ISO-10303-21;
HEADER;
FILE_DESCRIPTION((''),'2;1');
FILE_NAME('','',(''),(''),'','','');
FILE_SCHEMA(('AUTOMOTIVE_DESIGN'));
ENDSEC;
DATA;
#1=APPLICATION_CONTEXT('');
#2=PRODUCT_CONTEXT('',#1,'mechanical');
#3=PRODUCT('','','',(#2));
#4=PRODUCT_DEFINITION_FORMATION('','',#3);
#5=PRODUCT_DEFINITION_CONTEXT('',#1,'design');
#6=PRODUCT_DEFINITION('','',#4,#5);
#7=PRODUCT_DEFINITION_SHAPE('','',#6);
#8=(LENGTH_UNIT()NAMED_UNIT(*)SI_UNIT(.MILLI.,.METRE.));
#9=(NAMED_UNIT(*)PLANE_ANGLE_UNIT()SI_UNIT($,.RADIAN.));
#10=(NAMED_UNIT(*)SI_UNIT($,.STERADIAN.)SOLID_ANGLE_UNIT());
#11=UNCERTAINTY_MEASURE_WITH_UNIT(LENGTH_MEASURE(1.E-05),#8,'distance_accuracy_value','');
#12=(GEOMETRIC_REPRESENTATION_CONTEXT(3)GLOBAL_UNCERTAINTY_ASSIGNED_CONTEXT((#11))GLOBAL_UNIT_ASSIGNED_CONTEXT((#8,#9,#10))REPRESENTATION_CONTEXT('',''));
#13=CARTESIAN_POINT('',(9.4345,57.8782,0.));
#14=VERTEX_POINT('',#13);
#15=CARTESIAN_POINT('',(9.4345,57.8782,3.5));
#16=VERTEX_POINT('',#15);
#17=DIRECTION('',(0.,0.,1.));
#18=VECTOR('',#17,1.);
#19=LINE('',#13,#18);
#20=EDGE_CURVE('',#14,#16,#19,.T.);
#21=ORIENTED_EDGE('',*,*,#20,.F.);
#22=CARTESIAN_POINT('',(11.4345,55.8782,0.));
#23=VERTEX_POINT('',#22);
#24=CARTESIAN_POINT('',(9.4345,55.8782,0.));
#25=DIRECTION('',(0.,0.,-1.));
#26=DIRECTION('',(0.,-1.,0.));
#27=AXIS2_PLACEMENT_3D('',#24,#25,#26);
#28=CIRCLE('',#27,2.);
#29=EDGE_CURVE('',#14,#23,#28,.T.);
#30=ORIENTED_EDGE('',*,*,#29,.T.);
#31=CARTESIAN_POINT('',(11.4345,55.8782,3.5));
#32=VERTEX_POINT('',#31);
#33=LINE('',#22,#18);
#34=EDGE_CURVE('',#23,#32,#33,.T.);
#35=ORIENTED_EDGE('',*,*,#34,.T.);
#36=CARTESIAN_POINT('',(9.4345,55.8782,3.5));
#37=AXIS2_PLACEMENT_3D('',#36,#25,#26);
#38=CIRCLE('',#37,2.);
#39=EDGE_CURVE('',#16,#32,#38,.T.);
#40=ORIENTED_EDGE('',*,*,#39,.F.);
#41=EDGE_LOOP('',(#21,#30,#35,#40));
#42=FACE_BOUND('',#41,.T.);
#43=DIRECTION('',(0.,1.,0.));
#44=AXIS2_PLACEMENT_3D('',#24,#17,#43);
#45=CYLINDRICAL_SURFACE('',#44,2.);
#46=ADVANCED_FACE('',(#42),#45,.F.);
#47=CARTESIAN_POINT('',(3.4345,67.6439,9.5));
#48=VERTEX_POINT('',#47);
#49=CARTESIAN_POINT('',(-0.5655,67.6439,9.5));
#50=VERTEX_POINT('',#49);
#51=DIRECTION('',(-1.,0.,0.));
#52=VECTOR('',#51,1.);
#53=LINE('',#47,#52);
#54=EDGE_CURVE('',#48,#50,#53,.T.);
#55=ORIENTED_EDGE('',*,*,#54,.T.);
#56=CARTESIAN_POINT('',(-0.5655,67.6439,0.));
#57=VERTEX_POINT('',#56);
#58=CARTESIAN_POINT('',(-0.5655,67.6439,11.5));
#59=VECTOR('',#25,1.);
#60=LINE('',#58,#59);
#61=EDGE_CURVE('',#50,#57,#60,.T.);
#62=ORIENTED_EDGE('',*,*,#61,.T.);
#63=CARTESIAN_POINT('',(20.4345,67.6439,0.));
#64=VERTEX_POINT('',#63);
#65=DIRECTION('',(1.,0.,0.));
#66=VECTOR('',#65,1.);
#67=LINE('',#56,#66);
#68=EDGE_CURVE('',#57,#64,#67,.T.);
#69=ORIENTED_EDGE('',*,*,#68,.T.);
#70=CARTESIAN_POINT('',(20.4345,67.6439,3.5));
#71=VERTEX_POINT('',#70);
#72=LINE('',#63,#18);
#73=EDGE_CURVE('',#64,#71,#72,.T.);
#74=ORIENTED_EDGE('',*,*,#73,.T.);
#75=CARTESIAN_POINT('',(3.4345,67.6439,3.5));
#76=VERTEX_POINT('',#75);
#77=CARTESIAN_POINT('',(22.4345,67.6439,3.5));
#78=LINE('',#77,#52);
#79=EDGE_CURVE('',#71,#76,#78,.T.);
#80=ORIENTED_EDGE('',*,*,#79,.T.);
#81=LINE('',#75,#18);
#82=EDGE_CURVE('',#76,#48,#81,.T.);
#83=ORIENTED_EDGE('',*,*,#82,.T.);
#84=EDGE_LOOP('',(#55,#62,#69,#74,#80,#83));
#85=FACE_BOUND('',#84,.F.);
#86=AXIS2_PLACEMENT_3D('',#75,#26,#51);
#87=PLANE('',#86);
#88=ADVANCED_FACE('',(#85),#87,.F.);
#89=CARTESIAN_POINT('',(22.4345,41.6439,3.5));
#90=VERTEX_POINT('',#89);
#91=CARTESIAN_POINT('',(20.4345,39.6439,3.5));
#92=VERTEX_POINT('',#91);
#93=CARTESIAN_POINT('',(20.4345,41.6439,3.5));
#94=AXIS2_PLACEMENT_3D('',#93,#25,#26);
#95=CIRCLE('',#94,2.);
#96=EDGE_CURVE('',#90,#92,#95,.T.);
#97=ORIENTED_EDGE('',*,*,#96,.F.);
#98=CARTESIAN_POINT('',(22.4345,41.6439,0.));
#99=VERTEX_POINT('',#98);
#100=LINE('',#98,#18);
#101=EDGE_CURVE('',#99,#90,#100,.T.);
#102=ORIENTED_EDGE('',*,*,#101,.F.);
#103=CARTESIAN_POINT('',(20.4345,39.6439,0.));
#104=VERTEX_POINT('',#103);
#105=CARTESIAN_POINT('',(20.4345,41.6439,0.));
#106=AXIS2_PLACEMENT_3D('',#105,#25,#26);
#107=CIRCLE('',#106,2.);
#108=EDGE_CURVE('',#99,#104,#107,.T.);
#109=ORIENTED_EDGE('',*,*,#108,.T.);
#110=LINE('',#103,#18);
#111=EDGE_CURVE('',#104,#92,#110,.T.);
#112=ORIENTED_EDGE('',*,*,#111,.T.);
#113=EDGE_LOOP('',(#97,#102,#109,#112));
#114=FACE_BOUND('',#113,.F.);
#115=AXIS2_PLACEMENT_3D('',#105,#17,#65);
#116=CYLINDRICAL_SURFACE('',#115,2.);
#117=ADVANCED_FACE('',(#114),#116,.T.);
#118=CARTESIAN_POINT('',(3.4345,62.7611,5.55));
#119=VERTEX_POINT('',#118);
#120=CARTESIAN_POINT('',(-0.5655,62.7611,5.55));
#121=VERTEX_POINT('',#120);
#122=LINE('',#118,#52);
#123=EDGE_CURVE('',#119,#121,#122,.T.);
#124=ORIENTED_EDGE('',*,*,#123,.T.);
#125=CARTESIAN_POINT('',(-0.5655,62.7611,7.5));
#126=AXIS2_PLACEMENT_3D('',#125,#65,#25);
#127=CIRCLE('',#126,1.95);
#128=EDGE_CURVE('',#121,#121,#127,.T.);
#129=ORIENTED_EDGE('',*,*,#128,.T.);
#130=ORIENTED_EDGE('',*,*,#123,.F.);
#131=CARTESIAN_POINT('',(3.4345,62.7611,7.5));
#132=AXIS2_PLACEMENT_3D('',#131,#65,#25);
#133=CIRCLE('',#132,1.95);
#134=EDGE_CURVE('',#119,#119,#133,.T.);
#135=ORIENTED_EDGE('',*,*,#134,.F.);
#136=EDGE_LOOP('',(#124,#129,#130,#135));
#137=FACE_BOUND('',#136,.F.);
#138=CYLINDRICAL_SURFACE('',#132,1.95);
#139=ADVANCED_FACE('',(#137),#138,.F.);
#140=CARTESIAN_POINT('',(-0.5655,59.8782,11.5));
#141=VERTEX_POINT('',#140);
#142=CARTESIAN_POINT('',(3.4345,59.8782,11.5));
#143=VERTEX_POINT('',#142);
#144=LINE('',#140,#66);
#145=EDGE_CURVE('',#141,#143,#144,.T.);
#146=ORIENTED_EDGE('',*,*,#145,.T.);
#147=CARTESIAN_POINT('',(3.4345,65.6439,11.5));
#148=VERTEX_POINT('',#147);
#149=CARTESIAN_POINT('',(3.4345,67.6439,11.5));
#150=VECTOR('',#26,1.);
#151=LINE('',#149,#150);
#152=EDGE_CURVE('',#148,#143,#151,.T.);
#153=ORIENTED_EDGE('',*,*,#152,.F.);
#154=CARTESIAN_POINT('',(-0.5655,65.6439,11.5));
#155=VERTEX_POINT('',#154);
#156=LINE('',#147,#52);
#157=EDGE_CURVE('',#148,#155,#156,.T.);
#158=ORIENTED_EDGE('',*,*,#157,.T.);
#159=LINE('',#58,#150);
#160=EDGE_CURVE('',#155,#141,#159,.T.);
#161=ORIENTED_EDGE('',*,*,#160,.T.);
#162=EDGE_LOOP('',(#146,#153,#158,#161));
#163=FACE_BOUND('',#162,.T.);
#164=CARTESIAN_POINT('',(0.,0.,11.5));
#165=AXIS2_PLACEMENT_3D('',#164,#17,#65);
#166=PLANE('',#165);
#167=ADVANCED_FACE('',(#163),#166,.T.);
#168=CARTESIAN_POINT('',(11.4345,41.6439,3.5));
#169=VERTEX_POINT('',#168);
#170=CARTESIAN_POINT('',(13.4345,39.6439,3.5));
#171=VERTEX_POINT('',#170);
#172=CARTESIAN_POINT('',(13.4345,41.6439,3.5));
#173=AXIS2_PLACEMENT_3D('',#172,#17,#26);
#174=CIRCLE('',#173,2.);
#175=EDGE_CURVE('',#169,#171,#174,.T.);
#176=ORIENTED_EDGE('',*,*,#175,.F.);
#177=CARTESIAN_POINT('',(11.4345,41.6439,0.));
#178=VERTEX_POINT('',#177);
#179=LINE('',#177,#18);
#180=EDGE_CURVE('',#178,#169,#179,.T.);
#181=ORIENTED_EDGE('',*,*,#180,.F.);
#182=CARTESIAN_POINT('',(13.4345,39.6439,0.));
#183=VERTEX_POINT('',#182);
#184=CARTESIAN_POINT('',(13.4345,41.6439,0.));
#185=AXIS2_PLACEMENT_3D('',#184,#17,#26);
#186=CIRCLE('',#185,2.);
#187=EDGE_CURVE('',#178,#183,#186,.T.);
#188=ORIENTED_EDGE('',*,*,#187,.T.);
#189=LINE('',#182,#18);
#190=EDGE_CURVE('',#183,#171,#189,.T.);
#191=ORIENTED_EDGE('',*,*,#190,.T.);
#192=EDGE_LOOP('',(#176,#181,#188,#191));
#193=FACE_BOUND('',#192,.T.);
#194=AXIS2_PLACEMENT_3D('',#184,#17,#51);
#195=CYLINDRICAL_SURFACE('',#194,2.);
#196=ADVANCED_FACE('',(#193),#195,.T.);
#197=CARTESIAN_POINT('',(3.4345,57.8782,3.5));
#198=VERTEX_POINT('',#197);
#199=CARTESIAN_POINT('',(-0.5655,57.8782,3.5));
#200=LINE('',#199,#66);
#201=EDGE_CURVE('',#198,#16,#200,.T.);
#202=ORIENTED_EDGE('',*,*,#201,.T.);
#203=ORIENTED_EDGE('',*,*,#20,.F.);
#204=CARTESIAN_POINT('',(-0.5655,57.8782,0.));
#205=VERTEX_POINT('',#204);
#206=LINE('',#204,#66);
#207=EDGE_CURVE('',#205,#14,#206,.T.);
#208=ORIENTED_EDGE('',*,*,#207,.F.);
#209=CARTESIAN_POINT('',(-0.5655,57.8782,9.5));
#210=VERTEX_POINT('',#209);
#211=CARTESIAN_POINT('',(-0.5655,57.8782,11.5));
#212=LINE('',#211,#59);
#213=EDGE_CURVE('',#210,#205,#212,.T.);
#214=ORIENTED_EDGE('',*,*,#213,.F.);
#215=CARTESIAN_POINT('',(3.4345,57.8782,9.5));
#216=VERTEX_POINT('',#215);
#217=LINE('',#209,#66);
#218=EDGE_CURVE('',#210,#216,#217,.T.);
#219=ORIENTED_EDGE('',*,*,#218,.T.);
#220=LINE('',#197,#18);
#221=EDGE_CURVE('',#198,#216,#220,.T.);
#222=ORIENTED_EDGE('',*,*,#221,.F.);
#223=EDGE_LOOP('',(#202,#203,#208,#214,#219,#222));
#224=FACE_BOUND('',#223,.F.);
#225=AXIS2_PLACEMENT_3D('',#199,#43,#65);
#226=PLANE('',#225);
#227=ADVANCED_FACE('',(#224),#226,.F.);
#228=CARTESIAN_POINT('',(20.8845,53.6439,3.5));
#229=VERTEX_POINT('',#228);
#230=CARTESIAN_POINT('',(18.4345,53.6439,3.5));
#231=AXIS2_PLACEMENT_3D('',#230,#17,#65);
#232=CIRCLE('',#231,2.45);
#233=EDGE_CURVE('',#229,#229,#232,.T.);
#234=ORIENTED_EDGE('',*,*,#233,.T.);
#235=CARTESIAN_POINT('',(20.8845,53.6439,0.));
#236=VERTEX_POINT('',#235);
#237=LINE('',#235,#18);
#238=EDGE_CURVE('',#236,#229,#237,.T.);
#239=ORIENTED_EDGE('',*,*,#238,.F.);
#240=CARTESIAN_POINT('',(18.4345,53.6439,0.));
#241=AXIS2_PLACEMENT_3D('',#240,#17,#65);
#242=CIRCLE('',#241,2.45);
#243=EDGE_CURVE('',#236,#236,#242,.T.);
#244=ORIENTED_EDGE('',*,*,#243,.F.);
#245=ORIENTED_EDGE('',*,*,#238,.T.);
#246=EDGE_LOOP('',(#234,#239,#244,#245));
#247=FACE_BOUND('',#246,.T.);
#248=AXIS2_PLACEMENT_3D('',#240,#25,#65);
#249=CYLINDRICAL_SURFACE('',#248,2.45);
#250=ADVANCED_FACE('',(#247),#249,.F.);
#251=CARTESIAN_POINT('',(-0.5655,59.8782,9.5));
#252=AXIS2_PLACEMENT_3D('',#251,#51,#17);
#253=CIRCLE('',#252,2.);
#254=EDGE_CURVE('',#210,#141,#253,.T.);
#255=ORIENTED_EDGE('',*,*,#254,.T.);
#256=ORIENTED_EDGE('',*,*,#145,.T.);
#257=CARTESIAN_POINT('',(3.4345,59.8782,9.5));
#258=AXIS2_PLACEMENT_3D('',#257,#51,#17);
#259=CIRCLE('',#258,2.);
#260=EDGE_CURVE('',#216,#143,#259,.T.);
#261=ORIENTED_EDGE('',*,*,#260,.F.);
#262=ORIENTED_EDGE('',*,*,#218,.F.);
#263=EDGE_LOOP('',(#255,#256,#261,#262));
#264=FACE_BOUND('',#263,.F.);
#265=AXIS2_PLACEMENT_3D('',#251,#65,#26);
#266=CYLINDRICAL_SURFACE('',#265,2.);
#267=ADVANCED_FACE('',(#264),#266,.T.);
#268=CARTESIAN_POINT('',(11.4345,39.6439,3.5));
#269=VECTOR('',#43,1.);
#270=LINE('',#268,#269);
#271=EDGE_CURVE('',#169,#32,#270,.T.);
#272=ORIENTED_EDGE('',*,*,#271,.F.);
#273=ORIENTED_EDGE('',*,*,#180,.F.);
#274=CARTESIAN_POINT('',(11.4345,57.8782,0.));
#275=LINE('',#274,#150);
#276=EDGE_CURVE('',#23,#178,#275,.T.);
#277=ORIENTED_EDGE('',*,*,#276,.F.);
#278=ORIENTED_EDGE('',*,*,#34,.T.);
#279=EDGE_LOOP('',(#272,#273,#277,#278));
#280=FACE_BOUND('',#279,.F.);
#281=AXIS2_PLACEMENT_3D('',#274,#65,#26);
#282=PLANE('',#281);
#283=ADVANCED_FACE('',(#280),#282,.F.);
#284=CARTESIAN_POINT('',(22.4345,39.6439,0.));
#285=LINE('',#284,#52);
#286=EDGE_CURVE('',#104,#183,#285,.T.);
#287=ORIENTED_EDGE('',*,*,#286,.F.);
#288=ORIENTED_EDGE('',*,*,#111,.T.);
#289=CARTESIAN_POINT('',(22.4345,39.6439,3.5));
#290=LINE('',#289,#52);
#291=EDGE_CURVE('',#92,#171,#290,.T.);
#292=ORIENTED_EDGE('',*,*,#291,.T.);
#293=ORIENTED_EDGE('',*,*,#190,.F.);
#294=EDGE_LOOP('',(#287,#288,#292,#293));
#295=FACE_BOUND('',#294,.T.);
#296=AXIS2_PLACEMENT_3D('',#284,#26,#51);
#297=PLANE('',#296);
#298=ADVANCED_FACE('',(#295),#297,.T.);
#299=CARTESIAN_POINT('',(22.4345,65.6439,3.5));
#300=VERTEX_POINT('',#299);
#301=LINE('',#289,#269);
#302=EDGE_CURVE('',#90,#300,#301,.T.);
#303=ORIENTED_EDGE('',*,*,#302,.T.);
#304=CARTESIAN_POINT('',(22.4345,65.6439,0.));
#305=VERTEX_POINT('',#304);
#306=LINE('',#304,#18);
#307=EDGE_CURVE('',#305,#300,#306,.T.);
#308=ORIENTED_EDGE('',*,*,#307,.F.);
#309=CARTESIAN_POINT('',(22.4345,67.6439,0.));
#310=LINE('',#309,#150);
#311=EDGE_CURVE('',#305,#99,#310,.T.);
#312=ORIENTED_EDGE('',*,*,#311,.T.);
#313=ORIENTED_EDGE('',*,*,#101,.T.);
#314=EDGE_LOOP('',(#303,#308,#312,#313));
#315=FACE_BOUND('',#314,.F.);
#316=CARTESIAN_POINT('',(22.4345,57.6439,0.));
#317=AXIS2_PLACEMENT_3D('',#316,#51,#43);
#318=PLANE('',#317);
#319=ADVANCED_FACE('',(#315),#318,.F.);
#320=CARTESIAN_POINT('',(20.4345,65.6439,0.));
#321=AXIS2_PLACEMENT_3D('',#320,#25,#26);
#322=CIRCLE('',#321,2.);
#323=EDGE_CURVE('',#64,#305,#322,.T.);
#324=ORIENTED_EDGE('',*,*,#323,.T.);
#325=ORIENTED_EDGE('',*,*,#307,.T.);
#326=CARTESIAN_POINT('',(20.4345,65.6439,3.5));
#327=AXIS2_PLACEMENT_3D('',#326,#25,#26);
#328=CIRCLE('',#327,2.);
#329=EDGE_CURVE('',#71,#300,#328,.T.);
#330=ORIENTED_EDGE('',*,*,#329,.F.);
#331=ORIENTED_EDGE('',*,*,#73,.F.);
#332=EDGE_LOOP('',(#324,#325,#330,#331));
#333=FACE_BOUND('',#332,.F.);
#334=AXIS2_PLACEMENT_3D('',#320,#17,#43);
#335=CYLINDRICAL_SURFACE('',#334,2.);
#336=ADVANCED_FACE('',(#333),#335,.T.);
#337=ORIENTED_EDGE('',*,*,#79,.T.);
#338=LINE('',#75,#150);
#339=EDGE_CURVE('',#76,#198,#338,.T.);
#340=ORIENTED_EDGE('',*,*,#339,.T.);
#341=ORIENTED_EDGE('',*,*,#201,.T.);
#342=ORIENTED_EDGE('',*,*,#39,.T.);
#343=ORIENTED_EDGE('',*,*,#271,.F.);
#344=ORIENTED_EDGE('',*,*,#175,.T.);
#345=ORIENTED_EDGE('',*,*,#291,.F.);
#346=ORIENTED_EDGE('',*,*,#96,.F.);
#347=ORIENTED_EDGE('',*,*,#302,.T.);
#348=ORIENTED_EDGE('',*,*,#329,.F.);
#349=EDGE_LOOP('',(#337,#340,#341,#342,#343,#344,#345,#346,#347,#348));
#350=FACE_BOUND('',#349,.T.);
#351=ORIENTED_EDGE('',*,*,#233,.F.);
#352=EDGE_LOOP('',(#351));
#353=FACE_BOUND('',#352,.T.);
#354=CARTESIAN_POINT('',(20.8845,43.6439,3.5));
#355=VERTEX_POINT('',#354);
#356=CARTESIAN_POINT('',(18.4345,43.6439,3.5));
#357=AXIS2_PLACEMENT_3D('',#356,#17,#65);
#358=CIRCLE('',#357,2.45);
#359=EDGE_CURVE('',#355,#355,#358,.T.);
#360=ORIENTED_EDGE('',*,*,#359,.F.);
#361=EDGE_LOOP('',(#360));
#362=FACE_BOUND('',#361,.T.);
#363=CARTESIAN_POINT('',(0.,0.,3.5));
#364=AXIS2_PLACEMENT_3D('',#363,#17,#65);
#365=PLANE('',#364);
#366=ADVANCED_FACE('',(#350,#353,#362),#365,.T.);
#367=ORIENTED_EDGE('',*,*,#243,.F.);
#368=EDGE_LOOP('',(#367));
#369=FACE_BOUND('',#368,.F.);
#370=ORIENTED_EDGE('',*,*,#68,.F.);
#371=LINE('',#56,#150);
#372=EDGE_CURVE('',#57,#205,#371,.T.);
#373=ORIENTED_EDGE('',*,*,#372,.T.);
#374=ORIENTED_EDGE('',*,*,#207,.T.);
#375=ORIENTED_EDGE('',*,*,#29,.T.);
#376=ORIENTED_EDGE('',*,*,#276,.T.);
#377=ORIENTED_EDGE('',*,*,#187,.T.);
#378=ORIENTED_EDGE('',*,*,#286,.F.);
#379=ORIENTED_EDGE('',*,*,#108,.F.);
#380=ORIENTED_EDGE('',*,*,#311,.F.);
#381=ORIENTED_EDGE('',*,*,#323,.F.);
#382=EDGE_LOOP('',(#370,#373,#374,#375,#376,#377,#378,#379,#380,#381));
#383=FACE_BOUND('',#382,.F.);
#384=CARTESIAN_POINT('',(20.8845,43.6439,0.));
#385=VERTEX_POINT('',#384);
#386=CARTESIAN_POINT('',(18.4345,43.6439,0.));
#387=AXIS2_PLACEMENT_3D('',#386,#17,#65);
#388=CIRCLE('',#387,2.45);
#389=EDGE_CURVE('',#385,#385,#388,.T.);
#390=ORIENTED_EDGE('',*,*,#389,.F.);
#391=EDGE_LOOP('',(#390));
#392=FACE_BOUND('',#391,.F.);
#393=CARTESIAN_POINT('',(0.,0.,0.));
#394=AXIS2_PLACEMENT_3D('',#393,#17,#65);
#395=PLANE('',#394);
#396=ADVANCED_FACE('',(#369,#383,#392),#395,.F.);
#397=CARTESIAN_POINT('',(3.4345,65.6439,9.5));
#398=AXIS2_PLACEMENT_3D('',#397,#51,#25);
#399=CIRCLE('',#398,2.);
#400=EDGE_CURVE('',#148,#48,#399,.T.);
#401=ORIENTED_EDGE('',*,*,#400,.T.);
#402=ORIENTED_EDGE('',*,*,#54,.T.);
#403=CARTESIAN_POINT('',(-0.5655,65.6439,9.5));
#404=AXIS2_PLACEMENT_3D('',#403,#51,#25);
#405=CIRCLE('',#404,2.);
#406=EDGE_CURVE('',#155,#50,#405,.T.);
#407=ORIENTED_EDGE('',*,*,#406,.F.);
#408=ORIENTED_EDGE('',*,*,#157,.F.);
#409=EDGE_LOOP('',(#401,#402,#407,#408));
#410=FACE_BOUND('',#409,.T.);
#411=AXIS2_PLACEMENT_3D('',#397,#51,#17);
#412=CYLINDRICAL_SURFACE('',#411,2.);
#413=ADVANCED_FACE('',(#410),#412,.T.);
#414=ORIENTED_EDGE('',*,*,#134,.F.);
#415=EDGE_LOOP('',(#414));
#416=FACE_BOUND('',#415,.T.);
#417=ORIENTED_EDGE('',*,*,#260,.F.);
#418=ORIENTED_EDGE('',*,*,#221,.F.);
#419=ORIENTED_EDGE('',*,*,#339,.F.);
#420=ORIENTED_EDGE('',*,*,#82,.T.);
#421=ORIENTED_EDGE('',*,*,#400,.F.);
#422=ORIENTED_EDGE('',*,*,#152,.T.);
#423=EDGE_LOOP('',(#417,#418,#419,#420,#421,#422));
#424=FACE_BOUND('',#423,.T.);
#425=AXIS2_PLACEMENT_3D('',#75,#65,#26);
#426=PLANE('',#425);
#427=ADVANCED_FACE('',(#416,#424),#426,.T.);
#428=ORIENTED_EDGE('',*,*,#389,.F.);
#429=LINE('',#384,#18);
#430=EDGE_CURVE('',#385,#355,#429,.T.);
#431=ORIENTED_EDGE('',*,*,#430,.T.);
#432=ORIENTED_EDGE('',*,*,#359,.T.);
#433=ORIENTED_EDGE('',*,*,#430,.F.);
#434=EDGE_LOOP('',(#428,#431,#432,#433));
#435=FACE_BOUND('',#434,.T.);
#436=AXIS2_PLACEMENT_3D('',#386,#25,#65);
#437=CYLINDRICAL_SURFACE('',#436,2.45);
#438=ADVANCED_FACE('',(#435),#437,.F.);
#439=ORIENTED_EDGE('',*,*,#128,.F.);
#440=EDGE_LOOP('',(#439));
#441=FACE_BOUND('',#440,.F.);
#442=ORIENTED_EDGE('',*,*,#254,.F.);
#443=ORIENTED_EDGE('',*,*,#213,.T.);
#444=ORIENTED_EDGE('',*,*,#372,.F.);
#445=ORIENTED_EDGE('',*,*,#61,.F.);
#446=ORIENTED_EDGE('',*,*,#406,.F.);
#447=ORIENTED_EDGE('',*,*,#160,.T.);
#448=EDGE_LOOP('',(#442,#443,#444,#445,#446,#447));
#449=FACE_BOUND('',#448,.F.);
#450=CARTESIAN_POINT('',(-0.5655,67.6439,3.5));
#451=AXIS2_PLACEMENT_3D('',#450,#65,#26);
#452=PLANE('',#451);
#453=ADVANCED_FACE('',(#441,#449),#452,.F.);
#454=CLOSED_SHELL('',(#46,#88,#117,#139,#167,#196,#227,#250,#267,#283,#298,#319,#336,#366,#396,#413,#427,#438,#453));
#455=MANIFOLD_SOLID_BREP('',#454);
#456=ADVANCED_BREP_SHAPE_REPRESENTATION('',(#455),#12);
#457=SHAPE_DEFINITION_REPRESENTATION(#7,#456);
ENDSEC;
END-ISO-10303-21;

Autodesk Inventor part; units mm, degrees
ref_plane "YZ Plane" through (0, 0, 0) normal (1, 0, 0) x (0, 1, 0)
ref_plane "XZ Plane" through (0, 0, 0) normal (0, 1, 0) x (-1, 0, 0)
ref_plane "XY Plane" through (0, 0, 0) normal (0, 0, 1) x (1, 0, 0)
ref_plane "Work Plane1" through (0, 0, 0) normal (0, 0, 1) x (1, 0, 0)
sketch "Sketch1" plane through (0, 0, 0) normal (0, 0, 1) x (1, 0, 0)
  circle A0 centre (-18.4345, 53.6439) radius 1.95 projected
  circle A1 centre (-18.4345, 43.6439) radius 1.95 projected
  circle A2 centre (-45.5, -14.5) radius 2.1 projected
  circle A3 centre (-14.5, -14.5) radius 2.1 projected
  circle A4 centre (-14.5, 16.5) radius 2.1 projected
  circle A5 centre (-45.5, 16.5) radius 2.1 projected
  circle A6 centre (-30, 1) radius 13 projected
  arc A7 (30, -41.6762) -> (-30, -41.6762) centre (0, -65) ccw projected
  line L0 (30, -41.6762) -> (30, -22) projected
  line L1 (30, -22) -> (10.1716, -22) projected
  line L2 (10.1716, -22) -> (7, -18.8284) projected
  line L3 (7, -18.8284) -> (7, 20.8284) projected
  line L4 (7, 20.8284) -> (10.1716, 24) projected
  line L5 (10.1716, 24) -> (26, 24) projected
  line L6 (26, 70.5) -> (26, 24) projected
  arc A8 (26, 70.5) -> (5.5, 91) centre (5.5, 70.5) ccw projected
  line L7 (-5.5, 91) -> (5.5, 91) projected
  arc A9 (-5.5, 91) -> (-26, 70.5) centre (-5.5, 70.5) ccw projected
  line L8 (-26, 24) -> (-26, 70.5) projected
  line L9 (-26, 24) -> (-49.8284, 24) projected
  line L10 (-49.8284, 24) -> (-53, 20.8284) projected
  line L11 (-53, 20.8284) -> (-53, -18.8284) projected
  line L12 (-53, -18.8284) -> (-49.8284, -22) projected
  line L13 (-49.8284, -22) -> (-30, -22) projected
  line L14 (-30, -22) -> (-30, -41.6762) projected
  circle A10 centre (18.4345, 43.6439) radius 1.95 projected
  circle A11 centre (18.4345, 53.6439) radius 1.95 projected
  line L15 (11.4345, 57.6439) -> (22.4345, 57.6439)
  line L16 (22.4345, 57.6439) -> (22.4345, 39.6439)
  line L17 (22.4345, 39.6439) -> (11.4345, 39.6439)
  line L18 (11.4345, 39.6439) -> (11.4345, 57.6439)
  circle A12 centre (18.4345, 53.6439) radius 2.45
  circle A13 centre (18.4345, 43.6439) radius 2.45
  line L19 (11.4345, 39.6439) -> (11.4345, 57.6439)
  line L20 (11.4345, 57.6439) -> (22.4345, 57.6439)
  line L21 (22.4345, 57.6439) -> (22.4345, 67.6439)
  line L22 (22.4345, 67.6439) -> (11.4345, 67.6439)
  line L23 (11.4345, 67.6439) -> (11.4345, 57.6439)
  line L24 (9.2719, 63.6439) -> (5.8371, 63.6439)
  line L25 (11.4345, 67.6439) -> (-0.5655, 67.6439)
  line L26 (-0.5655, 67.6439) -> (-0.5655, 57.8782)
  line L27 (-0.5655, 57.8782) -> (11.4345, 57.8782)
  line L28 (11.4345, 57.8782) -> (11.4345, 67.6439)
  point P0 (0, 0)
  point P1 (11.4345, 48.6439)
  dimension "d0" = 4
  dimension "d1" = 4
  dimension "d2" = 4
  dimension "d3" = 7
  dimension "d13" = 0.5
  dimension "d14" = 0.5
  dimension "d27" = 15
  dimension "d28" = 4
  dimension "d29" = 11
  dimension "d30" = 12
  dimension "d31" = 90
  dimension "d32" = 79.8782
  dimension "d33" = 61.6439
  dimension "d34" = 20.7281
  dimension "d35" = 24.1629
extrude "Extrusion1" add sketch "Sketch1" along normal blind 3.5 contours L23 L22 L21 L15 | L15 L16 L17 L18 | L27 L26 L25 L23
sketch "Sketch3" plane through (0, 0, 3.5) normal (0, 0, 1) x (1, 0, 0)
  circle A0 centre (18.4345, 43.6439) radius 2.45 projected
  circle A1 centre (18.4345, 53.6439) radius 2.45 projected
  line L0 (11.4345, 39.6439) -> (22.4345, 39.6439) projected
  line L1 (22.4345, 39.6439) -> (22.4345, 67.6439) projected
  line L2 (22.4345, 67.6439) -> (-0.5655, 67.6439) projected
  line L3 (-0.5655, 67.6439) -> (-0.5655, 57.8782) projected
  line L4 (-0.5655, 57.8782) -> (11.4345, 57.8782) projected
  line L5 (11.4345, 57.8782) -> (11.4345, 39.6439) projected
  line L6 (-0.5655, 67.6439) -> (3.4345, 67.6439)
  line L7 (3.4345, 67.6439) -> (3.4345, 57.8782)
  line L8 (3.4345, 57.8782) -> (-0.5655, 57.8782)
  line L9 (-0.5655, 57.8782) -> (-0.5655, 67.6439)
  point P0 (0, 0)
  dimension "d36" = 4
extrude "Extrusion3" add sketch "Sketch3" along normal blind 8 contours L4 L3 L2 L7
sketch "Sketch5" plane through (3.4345, 57.8782, 3.5) normal (1, 0, 0) x (0, 0, -1)
  line L0 (0, 9.7657) -> (0, 0) projected
  line L1 (0, 9.7657) -> (-8, 9.7657) projected
  line L2 (-8, 0) -> (-8, 9.7657) projected
  line L3 (0, 0) -> (-8, 0) projected
  line L4 (3.5, -18.2343) -> (3.5, 9.7657) projected
  line L5 (3.5, 9.7657) -> (0, 9.7657) projected
  line L6 (0, -18.2343) -> (0, 9.7657) projected
  line L7 (3.5, -18.2343) -> (0, -18.2343) projected
  circle A0 centre (-4, 4.8829) radius 1.95
  point P0 (3.5, -57.8782)
  dimension "d37" = 3.9
  dimension "d38" = 7.5
extrude "Extrusion5" cut sketch "Sketch5" against normal through all contours A0
fillet "Fillet1" radius 2 6 edges at (22.4345, 39.6439, 1.75) (22.4345, 67.6439, 1.75) (11.4345, 57.8782, 1.75) (11.4345, 39.6439, 1.75) (1.4345, 57.8782, 11.5) (1.4345, 67.6439, 11.5)
properties part number "midle-tensioner_3DPrint"
